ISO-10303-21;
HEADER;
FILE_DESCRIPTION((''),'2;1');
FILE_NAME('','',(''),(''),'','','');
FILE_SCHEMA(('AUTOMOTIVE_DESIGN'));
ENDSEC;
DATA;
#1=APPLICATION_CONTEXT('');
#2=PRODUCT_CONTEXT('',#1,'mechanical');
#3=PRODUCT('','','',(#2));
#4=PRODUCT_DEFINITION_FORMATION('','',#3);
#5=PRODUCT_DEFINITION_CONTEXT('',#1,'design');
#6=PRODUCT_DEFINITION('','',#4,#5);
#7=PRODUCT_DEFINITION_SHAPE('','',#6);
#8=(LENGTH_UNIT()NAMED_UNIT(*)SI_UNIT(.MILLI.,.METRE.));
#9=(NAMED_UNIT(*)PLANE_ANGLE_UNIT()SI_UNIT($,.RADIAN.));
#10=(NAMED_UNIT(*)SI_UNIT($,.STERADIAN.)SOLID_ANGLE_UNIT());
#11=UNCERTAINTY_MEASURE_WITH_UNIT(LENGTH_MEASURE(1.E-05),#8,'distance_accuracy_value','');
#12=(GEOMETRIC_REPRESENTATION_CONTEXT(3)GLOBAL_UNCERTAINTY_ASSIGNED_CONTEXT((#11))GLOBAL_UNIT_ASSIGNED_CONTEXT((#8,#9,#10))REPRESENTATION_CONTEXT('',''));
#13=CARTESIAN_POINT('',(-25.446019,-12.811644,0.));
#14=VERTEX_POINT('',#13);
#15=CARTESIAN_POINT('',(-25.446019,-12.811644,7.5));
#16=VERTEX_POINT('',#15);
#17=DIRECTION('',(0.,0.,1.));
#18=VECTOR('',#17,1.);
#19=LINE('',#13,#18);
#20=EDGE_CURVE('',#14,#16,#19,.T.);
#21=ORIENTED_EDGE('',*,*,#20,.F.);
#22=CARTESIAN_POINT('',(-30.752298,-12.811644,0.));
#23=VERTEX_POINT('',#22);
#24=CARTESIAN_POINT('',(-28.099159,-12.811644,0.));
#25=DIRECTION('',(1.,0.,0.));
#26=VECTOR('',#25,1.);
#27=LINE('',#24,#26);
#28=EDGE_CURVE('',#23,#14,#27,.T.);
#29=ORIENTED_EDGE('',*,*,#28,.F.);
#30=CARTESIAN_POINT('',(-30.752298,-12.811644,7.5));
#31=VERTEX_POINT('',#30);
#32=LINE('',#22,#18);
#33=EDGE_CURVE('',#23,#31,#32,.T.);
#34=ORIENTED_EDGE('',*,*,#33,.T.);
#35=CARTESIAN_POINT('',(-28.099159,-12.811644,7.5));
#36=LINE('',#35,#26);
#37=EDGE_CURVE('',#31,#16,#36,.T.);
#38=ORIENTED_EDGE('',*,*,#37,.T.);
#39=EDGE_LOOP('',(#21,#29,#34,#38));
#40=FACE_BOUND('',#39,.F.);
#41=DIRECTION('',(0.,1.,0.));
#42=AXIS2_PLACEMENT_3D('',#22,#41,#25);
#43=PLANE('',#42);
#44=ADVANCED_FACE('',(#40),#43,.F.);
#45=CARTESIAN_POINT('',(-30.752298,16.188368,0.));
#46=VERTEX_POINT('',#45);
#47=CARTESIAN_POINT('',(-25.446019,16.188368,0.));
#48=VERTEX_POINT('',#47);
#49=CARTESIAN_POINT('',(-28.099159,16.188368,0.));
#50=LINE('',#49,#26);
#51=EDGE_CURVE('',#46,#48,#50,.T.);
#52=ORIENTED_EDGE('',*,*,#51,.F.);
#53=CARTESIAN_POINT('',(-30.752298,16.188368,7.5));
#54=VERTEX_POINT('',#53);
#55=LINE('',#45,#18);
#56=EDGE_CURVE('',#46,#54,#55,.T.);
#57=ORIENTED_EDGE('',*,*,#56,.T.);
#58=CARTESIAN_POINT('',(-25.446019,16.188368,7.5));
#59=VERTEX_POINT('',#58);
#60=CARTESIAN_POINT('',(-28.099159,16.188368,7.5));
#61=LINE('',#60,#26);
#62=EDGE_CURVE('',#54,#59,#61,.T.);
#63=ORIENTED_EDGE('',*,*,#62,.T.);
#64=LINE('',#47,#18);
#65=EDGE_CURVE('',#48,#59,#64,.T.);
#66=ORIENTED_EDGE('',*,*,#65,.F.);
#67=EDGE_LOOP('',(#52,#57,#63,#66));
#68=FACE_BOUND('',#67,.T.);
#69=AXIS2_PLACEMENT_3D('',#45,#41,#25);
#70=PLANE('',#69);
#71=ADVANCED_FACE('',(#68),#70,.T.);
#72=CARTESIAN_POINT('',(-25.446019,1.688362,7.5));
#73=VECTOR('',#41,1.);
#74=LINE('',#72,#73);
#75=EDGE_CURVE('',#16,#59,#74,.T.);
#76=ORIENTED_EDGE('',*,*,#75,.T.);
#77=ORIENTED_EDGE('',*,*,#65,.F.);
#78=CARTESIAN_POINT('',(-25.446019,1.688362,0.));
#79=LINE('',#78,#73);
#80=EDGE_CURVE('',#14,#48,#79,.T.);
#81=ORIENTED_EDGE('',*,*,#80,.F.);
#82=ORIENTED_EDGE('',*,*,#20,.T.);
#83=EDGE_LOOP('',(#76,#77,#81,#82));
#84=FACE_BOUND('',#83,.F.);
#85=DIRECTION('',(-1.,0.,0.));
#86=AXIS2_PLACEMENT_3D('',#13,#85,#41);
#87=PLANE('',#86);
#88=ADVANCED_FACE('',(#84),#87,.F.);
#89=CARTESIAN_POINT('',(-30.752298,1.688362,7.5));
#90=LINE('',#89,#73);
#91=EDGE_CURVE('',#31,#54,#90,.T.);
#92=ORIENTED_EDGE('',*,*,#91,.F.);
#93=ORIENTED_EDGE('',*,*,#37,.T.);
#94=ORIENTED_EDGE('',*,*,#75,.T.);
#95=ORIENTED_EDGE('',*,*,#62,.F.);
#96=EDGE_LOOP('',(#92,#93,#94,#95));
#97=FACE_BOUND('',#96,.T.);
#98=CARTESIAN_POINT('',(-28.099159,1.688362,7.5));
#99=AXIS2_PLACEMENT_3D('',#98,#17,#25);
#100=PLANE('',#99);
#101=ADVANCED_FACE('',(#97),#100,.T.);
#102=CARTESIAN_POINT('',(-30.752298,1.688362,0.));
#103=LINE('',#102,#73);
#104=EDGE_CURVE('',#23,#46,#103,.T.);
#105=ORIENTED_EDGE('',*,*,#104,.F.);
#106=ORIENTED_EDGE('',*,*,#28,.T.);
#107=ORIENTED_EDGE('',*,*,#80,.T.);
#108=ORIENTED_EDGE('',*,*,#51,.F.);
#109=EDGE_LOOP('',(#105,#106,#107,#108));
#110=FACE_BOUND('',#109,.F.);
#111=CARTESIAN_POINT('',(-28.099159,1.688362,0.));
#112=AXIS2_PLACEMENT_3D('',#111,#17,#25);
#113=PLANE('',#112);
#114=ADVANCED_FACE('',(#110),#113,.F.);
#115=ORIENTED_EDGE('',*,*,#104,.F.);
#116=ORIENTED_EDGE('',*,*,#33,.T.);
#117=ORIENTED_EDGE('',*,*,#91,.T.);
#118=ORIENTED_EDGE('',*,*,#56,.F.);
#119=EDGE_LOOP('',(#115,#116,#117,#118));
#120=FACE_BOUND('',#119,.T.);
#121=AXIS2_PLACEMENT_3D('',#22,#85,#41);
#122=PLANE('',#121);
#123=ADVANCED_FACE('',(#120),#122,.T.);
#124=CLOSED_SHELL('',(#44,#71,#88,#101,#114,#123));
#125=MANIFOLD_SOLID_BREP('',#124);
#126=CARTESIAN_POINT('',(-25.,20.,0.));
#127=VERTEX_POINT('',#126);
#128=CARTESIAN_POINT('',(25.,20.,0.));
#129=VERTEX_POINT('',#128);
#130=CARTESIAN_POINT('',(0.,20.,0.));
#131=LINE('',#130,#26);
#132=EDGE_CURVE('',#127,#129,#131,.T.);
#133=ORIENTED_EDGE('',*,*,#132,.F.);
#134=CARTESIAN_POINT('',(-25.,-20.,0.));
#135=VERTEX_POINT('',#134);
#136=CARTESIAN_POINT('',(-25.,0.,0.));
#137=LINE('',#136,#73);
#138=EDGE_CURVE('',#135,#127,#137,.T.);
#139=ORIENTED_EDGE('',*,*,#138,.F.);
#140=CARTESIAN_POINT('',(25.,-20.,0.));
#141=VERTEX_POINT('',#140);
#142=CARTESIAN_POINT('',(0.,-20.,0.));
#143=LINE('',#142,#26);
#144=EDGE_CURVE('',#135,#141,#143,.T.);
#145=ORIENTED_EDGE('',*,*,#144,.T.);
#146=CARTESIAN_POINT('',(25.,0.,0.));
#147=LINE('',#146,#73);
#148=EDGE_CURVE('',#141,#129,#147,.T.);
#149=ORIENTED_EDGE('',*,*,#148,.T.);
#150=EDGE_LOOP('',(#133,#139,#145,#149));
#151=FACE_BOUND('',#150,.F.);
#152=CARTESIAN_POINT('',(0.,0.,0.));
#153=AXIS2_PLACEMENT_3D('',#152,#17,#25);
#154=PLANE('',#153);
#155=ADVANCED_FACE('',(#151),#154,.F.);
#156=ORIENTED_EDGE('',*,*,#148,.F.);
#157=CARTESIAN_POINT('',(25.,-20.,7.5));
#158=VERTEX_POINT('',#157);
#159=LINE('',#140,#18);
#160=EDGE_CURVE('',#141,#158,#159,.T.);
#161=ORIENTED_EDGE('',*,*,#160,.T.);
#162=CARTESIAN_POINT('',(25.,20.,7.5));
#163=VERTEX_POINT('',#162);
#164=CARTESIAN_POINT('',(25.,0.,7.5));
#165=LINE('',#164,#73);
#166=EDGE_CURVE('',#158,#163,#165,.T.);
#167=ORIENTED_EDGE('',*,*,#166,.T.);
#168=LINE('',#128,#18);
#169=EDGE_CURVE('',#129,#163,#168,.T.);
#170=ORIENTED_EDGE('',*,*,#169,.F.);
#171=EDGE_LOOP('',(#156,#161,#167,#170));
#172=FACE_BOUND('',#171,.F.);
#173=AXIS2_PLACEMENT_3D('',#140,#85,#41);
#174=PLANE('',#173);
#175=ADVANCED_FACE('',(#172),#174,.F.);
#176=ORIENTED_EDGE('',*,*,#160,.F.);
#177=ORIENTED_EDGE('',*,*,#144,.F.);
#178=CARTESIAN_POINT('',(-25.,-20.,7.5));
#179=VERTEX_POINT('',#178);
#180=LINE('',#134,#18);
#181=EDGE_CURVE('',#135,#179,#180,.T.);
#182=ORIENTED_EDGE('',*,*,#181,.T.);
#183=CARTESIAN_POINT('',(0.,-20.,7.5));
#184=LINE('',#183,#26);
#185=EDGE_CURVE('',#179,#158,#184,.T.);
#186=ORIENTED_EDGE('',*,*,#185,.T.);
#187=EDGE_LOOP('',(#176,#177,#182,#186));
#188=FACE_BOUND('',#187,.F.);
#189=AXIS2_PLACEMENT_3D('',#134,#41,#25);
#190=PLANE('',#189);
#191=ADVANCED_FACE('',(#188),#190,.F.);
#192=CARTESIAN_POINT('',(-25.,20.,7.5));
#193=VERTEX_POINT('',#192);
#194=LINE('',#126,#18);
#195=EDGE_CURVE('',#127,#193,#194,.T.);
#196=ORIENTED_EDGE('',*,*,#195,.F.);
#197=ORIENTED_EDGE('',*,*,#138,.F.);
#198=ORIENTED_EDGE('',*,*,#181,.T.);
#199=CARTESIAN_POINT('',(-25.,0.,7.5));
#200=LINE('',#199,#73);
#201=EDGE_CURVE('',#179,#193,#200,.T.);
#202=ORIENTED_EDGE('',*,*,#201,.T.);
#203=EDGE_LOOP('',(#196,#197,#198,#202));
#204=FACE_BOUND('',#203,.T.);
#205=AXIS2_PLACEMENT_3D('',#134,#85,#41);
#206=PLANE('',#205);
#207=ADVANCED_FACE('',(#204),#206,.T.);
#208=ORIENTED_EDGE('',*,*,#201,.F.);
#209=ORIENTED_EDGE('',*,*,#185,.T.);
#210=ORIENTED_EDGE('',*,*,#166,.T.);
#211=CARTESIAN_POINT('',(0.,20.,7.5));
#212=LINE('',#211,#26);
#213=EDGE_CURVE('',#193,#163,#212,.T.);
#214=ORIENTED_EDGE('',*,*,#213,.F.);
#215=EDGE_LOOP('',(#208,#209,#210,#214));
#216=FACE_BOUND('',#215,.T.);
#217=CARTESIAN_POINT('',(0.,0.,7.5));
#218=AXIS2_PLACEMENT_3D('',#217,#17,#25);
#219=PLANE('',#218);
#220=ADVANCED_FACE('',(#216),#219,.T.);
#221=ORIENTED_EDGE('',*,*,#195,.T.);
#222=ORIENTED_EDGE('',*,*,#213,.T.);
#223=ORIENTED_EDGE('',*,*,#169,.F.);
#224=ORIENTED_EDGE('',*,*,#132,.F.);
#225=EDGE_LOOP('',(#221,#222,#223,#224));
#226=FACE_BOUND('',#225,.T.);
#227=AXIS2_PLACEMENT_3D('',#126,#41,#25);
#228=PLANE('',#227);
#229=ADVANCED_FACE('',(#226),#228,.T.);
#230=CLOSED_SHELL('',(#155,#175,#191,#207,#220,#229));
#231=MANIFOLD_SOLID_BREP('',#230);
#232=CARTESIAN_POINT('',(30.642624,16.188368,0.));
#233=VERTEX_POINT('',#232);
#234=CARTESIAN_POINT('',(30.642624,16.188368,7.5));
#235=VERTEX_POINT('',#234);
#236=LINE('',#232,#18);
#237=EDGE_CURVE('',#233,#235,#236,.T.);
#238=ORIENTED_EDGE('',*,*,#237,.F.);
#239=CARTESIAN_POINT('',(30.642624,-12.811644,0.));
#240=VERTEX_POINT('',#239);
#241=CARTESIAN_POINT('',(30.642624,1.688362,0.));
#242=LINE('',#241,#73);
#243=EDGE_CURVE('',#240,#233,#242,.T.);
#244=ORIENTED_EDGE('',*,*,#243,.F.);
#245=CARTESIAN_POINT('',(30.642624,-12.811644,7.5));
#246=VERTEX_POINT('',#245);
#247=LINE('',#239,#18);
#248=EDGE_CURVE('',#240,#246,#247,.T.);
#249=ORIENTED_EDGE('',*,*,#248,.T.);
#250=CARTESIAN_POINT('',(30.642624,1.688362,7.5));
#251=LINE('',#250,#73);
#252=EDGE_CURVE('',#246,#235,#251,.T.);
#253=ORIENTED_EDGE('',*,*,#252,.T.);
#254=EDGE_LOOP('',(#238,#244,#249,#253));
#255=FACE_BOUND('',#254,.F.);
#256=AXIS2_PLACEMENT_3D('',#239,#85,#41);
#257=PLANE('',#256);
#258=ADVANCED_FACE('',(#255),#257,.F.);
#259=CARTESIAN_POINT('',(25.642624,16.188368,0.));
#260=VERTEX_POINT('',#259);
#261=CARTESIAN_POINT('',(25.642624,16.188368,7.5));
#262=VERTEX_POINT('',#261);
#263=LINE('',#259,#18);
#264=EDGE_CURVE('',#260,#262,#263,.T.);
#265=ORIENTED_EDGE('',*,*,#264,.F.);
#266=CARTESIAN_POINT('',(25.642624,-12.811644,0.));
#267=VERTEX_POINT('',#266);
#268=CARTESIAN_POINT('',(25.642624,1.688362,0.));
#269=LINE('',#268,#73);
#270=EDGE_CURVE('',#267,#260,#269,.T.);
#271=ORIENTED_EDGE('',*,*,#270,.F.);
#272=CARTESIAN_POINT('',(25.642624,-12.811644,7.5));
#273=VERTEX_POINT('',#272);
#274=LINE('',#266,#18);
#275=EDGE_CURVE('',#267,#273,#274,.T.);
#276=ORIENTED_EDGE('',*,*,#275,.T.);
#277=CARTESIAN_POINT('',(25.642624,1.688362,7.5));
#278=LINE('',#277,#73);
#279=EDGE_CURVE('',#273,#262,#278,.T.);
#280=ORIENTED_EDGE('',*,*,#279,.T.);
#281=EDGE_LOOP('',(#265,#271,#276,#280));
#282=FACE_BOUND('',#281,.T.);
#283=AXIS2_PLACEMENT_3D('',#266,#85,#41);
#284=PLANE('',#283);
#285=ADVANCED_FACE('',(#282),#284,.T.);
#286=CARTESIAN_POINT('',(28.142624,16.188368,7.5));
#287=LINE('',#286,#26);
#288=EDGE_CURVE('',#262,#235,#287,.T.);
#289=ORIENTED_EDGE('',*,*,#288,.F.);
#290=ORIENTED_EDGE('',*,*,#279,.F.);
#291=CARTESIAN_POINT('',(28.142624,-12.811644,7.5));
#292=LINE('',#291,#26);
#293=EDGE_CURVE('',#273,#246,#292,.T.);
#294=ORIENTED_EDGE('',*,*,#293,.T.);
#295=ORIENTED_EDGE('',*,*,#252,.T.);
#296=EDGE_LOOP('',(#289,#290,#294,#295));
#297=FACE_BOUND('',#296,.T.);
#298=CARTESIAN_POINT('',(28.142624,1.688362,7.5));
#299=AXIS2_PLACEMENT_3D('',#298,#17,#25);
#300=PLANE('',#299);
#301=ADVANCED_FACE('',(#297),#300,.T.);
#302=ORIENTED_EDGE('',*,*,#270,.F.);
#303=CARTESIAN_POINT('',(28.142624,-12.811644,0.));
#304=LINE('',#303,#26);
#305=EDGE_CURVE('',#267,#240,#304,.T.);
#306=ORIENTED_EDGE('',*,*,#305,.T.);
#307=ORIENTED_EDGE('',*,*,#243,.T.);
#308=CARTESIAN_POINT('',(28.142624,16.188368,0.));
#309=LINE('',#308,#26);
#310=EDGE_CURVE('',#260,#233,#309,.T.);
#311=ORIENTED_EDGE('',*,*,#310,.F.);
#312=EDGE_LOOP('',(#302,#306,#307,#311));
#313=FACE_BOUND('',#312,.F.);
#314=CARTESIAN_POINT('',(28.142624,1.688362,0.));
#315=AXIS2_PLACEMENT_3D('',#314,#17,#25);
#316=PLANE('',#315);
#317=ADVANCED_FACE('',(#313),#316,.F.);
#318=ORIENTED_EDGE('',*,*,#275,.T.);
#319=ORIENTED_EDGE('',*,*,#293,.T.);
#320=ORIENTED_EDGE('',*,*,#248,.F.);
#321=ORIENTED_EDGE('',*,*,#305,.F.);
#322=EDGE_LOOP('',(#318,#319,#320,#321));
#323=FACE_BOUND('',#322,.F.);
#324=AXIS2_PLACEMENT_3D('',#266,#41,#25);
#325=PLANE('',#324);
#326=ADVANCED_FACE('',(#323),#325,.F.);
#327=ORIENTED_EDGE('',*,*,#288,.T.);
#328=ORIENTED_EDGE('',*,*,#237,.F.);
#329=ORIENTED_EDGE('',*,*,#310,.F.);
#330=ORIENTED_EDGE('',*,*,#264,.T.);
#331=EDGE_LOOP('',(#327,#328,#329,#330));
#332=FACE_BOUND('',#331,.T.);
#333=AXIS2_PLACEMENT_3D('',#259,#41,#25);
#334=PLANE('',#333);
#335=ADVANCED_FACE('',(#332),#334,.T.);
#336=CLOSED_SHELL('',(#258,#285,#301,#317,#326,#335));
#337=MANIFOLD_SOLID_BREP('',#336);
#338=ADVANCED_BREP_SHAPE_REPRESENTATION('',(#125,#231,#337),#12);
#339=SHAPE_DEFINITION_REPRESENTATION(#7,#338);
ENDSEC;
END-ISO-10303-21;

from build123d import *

# Parameters (mm, degrees)
F0_W     = 50
F0_H     = 40
F1_DEPTH = 7.5
F2_W     = 5.306279
F2_H     = 29.000013
F2_W_2   = 5
F3_DEPTH = 7.5


with BuildPart() as f1:
    # F0 (on Top) → F1 (new body)
    with BuildSketch(Plane.XY):
        Rectangle(F0_W, F0_H)
    extrude(amount=F1_DEPTH)


with BuildPart() as f3:
    # F2 (on Top) → F3 (new body)
    with BuildSketch(Plane.XY):
        with Locations((-28.099159, 1.688362)):
            Rectangle(F2_W, F2_H)
        with Locations((28.142624, 1.688362)):
            Rectangle(F2_W_2, F2_H)
    extrude(amount=F3_DEPTH)


solid = Compound([f1.part, f3.part])
